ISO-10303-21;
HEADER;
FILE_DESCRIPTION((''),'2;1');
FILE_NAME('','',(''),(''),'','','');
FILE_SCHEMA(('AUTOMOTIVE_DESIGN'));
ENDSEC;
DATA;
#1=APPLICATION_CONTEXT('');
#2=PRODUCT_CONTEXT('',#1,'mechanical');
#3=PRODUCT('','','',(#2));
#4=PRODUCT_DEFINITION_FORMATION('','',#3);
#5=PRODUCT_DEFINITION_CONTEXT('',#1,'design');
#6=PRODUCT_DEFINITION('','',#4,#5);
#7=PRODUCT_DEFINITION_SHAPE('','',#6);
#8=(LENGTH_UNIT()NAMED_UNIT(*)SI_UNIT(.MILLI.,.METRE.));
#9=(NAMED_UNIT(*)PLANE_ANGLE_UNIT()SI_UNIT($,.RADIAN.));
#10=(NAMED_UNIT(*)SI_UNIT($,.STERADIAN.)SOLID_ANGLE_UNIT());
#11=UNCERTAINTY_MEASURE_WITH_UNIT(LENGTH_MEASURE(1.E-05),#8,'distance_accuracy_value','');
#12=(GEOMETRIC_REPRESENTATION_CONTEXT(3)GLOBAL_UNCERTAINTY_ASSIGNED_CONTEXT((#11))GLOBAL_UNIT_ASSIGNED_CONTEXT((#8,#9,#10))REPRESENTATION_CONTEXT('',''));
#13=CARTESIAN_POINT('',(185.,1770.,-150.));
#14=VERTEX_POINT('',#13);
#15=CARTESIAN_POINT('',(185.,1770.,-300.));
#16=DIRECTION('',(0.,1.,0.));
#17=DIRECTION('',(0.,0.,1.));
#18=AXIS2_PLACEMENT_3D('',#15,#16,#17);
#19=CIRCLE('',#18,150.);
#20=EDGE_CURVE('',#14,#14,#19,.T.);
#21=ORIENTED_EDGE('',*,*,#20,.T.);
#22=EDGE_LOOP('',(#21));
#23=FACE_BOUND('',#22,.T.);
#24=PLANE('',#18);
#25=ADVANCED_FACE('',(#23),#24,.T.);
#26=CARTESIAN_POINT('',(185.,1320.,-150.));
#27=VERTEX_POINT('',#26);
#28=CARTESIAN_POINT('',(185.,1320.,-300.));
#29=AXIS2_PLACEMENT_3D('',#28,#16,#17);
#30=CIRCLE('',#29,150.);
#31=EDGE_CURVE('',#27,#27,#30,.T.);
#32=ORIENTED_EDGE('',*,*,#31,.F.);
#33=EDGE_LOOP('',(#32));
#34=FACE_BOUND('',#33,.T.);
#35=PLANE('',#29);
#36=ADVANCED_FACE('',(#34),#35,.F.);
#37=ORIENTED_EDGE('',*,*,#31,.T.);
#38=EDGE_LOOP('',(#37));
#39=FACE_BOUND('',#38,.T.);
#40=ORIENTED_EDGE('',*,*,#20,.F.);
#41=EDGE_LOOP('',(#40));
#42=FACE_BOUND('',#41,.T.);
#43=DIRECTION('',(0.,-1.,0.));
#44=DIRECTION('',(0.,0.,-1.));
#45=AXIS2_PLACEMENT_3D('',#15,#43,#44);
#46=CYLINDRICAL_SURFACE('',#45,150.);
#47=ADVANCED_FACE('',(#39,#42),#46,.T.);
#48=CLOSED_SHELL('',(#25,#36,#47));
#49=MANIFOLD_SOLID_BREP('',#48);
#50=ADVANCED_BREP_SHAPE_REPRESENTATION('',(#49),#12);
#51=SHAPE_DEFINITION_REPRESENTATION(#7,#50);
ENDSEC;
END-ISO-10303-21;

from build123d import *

# Parameters (mm, degrees)
PRESS_COP_KOVASI_30L_D300_START = 1320
SKETCH1_R                       = 150
PRESS_COP_KOVASI_30L_D300_DEPTH = 450


with BuildPart() as part:
    # Sketch1 → PRESS_cop_kovasi_30L_D300 (new body)
    with BuildSketch(Plane(origin=(0, 0, 0), x_dir=(1, 0, 0), z_dir=(0, 1, 0)).offset(PRESS_COP_KOVASI_30L_D300_START)):
        with Locations(Location((185, 300, 0), (0, 0, 270))):
            Circle(SKETCH1_R)
    extrude(amount=PRESS_COP_KOVASI_30L_D300_DEPTH)


solid = part.part
